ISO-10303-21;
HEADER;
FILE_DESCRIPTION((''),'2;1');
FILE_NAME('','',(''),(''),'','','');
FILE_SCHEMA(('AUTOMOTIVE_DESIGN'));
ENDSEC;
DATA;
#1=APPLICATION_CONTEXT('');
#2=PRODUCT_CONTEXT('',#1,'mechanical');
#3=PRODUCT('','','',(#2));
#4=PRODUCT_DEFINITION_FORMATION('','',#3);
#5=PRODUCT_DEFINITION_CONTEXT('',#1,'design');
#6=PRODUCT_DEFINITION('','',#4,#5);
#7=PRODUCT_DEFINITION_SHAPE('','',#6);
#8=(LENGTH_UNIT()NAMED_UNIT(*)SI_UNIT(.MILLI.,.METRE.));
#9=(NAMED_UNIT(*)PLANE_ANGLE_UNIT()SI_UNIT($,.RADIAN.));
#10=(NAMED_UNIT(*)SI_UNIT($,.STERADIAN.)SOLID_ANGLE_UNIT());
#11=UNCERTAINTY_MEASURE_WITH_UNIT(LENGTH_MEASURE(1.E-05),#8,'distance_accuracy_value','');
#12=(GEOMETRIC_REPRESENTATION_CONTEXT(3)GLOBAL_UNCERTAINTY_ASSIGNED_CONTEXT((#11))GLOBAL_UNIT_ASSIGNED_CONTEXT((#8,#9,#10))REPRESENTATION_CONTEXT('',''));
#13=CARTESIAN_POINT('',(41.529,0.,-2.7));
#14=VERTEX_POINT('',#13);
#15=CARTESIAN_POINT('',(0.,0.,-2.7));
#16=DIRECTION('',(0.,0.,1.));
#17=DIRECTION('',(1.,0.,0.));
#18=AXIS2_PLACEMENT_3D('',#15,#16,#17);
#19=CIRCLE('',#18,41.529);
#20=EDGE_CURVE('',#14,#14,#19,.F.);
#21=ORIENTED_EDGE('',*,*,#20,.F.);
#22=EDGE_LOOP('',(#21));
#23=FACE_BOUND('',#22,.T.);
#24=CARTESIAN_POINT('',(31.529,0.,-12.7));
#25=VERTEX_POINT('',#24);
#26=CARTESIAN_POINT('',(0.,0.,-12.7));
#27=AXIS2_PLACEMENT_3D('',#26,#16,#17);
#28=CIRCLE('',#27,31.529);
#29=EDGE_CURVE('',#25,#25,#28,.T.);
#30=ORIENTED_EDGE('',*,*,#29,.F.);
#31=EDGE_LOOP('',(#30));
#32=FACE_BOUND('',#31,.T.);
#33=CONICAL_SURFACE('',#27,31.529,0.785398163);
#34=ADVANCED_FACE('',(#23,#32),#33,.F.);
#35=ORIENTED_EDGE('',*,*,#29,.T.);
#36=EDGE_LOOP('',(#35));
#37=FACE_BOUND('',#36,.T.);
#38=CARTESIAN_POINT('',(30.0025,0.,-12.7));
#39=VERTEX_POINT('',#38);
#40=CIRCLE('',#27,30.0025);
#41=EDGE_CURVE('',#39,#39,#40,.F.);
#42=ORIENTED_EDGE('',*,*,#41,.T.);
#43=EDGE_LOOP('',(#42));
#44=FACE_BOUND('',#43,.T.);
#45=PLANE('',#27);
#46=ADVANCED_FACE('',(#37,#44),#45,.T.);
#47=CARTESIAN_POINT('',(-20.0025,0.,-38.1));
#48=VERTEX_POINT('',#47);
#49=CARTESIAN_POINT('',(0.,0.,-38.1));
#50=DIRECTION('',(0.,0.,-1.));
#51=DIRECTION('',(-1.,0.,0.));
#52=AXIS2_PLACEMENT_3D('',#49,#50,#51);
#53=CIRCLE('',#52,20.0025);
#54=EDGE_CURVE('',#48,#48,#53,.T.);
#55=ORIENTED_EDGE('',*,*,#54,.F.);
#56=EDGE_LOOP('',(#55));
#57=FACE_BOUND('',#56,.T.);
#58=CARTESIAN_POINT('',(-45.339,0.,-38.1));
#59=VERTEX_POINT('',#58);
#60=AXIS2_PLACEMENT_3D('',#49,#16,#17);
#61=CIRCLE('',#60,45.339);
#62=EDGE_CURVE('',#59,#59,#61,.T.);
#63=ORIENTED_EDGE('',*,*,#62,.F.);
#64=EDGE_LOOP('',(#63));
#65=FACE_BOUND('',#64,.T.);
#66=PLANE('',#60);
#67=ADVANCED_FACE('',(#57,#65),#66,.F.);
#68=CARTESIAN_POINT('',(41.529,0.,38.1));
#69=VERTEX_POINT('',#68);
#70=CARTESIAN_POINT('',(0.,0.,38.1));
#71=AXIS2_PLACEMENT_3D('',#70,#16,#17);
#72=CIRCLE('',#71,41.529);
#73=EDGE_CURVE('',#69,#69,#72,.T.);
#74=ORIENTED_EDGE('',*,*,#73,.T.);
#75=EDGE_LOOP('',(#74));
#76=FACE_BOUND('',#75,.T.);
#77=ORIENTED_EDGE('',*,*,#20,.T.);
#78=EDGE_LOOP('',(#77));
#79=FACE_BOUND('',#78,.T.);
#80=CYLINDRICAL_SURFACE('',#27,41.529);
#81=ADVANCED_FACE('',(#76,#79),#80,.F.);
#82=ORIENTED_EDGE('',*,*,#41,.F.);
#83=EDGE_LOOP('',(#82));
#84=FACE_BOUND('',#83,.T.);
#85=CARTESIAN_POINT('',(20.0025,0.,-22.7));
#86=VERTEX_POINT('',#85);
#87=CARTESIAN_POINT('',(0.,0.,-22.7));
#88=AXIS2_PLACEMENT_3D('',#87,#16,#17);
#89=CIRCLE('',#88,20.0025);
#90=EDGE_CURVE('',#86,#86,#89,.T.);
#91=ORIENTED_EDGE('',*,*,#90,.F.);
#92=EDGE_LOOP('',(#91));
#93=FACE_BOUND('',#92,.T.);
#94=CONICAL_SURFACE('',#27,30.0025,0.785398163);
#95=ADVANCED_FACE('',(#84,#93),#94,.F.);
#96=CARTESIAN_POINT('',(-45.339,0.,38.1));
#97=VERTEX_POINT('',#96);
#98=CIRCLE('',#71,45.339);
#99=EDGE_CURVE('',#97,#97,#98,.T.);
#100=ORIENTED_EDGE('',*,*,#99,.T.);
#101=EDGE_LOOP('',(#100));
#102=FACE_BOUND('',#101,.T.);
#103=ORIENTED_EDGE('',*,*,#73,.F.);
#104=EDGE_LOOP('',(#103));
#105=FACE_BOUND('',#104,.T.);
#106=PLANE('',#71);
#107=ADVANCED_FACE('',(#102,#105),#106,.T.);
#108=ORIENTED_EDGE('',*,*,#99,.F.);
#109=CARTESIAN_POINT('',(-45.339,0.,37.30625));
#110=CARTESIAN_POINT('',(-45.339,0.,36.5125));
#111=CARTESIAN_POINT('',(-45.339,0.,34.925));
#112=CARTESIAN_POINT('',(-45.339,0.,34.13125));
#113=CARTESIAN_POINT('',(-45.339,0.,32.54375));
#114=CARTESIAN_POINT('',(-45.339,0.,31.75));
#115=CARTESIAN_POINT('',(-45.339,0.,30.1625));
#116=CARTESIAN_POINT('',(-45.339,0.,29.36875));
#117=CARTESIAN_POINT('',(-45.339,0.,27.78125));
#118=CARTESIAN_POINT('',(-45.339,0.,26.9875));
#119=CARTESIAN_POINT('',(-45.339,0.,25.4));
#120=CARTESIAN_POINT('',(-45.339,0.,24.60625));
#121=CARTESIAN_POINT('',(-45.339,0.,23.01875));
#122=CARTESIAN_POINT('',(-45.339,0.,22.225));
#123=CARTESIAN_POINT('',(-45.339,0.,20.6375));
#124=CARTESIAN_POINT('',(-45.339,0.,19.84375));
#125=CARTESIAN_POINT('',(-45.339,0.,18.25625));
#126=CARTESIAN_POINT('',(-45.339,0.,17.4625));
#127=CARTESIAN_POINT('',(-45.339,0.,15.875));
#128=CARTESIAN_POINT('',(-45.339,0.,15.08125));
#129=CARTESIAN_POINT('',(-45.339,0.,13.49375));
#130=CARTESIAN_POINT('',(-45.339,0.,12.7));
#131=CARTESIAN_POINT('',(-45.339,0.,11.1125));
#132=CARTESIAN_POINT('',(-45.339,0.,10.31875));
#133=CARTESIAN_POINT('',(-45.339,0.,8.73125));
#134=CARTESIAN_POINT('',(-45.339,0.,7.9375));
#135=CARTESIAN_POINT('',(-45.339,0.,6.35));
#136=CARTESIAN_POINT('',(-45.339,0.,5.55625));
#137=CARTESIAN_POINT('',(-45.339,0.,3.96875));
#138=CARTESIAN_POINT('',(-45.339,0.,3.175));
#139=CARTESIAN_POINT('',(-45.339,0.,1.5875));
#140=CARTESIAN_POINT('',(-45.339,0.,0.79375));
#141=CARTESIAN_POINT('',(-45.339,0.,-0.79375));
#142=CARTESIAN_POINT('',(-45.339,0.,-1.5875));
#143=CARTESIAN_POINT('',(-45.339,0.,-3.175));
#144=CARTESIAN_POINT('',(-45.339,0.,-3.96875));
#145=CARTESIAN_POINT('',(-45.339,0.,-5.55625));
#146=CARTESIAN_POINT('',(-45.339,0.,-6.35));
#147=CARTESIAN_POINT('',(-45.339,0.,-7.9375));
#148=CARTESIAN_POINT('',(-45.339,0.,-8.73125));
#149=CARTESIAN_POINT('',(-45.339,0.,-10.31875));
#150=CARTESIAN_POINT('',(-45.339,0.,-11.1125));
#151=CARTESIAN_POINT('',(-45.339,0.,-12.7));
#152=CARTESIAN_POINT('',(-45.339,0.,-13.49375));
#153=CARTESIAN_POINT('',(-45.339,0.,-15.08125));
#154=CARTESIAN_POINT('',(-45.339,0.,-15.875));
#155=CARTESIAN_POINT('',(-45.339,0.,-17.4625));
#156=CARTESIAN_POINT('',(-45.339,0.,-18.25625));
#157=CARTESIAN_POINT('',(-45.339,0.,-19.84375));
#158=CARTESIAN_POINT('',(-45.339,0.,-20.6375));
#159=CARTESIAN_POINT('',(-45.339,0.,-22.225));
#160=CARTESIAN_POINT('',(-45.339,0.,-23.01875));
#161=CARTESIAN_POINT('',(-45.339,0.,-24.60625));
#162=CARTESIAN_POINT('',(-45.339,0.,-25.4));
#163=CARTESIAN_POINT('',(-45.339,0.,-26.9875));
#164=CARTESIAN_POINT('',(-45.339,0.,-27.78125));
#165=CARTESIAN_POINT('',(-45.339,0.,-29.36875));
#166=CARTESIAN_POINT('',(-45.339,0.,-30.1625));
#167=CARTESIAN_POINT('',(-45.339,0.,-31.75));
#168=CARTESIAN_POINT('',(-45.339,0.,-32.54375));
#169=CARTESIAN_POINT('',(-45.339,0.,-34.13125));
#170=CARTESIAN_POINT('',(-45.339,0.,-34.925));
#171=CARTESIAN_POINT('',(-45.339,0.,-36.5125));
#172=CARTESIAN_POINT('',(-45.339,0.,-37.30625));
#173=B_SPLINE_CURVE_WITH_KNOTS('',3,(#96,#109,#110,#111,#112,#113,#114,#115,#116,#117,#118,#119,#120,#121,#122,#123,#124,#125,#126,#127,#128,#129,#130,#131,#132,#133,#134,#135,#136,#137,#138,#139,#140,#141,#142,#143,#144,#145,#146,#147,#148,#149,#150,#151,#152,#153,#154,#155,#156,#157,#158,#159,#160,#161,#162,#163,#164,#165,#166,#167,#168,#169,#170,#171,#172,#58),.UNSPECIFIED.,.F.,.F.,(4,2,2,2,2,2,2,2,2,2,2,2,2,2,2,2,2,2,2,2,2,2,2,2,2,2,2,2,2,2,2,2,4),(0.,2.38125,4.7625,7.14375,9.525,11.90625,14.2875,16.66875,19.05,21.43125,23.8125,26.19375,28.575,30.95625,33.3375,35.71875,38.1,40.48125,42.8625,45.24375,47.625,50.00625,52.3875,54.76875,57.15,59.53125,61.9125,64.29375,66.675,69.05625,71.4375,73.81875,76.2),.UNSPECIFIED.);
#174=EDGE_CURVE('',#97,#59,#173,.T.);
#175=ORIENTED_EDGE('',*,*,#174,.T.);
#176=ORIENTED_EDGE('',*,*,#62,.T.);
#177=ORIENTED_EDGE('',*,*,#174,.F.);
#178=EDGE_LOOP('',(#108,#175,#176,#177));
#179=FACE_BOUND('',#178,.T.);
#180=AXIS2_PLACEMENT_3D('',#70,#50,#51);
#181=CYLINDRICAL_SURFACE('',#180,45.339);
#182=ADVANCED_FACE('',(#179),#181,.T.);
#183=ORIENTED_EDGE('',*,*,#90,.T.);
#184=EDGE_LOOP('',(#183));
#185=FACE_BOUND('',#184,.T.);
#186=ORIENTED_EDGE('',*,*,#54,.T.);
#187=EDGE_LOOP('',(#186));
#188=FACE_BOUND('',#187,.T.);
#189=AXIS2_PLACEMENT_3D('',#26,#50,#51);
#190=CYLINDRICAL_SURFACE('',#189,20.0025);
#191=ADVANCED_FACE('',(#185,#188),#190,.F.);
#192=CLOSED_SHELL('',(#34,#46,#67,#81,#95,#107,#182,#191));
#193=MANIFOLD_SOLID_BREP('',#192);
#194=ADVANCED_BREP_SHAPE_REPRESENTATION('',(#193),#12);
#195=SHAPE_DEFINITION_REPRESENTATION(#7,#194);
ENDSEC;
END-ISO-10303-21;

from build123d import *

# Parameters (mm, degrees)
SKETCH1_R           = 45.339
BOSS_EXTRUDE2_DEPTH = 38.1
SKETCH3_R           = 41.529
CUT_EXTRUDE1_DEPTH  = 50.8
SKETCH4_R           = 20.0025
CUT_EXTRUDE2_DEPTH  = 25.4
CHAMFER1_SIZE       = 10


with BuildPart() as part:
    # Sketch1 → Boss-Extrude2 (new, symmetric)
    with BuildSketch(Plane(origin=(0, 0, 0), x_dir=(0, 1, 0), z_dir=(0, 0, 1))):
        with Locations(Location((0, 0, 0), (0, 0, 90))):
            Circle(SKETCH1_R)
    extrude(amount=BOSS_EXTRUDE2_DEPTH, both=True)

    # Sketch3 → Cut-Extrude1 (cut)
    with BuildSketch(Plane.XY.offset(38.1)):
        Circle(SKETCH3_R)
    extrude(amount=-CUT_EXTRUDE1_DEPTH, mode=Mode.SUBTRACT)

    # Sketch4 → Cut-Extrude2 (cut)
    with BuildSketch(Plane(origin=(0, 0, -38.1), x_dir=(1, 0, 0), z_dir=(0, 0, -1))):
        with Locations(Location((0, 0, 0), (0, 0, 180))):
            Circle(SKETCH4_R)
    extrude(amount=-CUT_EXTRUDE2_DEPTH, mode=Mode.SUBTRACT)

    # Chamfer1
    chamfer1_edges = [part.edges().sort_by_distance(p)[0] for p in [
        (20.0025, 0, -12.7),
        (-41.529, 0, -12.7),
    ]]
    chamfer(chamfer1_edges, length=CHAMFER1_SIZE)


solid = part.part
